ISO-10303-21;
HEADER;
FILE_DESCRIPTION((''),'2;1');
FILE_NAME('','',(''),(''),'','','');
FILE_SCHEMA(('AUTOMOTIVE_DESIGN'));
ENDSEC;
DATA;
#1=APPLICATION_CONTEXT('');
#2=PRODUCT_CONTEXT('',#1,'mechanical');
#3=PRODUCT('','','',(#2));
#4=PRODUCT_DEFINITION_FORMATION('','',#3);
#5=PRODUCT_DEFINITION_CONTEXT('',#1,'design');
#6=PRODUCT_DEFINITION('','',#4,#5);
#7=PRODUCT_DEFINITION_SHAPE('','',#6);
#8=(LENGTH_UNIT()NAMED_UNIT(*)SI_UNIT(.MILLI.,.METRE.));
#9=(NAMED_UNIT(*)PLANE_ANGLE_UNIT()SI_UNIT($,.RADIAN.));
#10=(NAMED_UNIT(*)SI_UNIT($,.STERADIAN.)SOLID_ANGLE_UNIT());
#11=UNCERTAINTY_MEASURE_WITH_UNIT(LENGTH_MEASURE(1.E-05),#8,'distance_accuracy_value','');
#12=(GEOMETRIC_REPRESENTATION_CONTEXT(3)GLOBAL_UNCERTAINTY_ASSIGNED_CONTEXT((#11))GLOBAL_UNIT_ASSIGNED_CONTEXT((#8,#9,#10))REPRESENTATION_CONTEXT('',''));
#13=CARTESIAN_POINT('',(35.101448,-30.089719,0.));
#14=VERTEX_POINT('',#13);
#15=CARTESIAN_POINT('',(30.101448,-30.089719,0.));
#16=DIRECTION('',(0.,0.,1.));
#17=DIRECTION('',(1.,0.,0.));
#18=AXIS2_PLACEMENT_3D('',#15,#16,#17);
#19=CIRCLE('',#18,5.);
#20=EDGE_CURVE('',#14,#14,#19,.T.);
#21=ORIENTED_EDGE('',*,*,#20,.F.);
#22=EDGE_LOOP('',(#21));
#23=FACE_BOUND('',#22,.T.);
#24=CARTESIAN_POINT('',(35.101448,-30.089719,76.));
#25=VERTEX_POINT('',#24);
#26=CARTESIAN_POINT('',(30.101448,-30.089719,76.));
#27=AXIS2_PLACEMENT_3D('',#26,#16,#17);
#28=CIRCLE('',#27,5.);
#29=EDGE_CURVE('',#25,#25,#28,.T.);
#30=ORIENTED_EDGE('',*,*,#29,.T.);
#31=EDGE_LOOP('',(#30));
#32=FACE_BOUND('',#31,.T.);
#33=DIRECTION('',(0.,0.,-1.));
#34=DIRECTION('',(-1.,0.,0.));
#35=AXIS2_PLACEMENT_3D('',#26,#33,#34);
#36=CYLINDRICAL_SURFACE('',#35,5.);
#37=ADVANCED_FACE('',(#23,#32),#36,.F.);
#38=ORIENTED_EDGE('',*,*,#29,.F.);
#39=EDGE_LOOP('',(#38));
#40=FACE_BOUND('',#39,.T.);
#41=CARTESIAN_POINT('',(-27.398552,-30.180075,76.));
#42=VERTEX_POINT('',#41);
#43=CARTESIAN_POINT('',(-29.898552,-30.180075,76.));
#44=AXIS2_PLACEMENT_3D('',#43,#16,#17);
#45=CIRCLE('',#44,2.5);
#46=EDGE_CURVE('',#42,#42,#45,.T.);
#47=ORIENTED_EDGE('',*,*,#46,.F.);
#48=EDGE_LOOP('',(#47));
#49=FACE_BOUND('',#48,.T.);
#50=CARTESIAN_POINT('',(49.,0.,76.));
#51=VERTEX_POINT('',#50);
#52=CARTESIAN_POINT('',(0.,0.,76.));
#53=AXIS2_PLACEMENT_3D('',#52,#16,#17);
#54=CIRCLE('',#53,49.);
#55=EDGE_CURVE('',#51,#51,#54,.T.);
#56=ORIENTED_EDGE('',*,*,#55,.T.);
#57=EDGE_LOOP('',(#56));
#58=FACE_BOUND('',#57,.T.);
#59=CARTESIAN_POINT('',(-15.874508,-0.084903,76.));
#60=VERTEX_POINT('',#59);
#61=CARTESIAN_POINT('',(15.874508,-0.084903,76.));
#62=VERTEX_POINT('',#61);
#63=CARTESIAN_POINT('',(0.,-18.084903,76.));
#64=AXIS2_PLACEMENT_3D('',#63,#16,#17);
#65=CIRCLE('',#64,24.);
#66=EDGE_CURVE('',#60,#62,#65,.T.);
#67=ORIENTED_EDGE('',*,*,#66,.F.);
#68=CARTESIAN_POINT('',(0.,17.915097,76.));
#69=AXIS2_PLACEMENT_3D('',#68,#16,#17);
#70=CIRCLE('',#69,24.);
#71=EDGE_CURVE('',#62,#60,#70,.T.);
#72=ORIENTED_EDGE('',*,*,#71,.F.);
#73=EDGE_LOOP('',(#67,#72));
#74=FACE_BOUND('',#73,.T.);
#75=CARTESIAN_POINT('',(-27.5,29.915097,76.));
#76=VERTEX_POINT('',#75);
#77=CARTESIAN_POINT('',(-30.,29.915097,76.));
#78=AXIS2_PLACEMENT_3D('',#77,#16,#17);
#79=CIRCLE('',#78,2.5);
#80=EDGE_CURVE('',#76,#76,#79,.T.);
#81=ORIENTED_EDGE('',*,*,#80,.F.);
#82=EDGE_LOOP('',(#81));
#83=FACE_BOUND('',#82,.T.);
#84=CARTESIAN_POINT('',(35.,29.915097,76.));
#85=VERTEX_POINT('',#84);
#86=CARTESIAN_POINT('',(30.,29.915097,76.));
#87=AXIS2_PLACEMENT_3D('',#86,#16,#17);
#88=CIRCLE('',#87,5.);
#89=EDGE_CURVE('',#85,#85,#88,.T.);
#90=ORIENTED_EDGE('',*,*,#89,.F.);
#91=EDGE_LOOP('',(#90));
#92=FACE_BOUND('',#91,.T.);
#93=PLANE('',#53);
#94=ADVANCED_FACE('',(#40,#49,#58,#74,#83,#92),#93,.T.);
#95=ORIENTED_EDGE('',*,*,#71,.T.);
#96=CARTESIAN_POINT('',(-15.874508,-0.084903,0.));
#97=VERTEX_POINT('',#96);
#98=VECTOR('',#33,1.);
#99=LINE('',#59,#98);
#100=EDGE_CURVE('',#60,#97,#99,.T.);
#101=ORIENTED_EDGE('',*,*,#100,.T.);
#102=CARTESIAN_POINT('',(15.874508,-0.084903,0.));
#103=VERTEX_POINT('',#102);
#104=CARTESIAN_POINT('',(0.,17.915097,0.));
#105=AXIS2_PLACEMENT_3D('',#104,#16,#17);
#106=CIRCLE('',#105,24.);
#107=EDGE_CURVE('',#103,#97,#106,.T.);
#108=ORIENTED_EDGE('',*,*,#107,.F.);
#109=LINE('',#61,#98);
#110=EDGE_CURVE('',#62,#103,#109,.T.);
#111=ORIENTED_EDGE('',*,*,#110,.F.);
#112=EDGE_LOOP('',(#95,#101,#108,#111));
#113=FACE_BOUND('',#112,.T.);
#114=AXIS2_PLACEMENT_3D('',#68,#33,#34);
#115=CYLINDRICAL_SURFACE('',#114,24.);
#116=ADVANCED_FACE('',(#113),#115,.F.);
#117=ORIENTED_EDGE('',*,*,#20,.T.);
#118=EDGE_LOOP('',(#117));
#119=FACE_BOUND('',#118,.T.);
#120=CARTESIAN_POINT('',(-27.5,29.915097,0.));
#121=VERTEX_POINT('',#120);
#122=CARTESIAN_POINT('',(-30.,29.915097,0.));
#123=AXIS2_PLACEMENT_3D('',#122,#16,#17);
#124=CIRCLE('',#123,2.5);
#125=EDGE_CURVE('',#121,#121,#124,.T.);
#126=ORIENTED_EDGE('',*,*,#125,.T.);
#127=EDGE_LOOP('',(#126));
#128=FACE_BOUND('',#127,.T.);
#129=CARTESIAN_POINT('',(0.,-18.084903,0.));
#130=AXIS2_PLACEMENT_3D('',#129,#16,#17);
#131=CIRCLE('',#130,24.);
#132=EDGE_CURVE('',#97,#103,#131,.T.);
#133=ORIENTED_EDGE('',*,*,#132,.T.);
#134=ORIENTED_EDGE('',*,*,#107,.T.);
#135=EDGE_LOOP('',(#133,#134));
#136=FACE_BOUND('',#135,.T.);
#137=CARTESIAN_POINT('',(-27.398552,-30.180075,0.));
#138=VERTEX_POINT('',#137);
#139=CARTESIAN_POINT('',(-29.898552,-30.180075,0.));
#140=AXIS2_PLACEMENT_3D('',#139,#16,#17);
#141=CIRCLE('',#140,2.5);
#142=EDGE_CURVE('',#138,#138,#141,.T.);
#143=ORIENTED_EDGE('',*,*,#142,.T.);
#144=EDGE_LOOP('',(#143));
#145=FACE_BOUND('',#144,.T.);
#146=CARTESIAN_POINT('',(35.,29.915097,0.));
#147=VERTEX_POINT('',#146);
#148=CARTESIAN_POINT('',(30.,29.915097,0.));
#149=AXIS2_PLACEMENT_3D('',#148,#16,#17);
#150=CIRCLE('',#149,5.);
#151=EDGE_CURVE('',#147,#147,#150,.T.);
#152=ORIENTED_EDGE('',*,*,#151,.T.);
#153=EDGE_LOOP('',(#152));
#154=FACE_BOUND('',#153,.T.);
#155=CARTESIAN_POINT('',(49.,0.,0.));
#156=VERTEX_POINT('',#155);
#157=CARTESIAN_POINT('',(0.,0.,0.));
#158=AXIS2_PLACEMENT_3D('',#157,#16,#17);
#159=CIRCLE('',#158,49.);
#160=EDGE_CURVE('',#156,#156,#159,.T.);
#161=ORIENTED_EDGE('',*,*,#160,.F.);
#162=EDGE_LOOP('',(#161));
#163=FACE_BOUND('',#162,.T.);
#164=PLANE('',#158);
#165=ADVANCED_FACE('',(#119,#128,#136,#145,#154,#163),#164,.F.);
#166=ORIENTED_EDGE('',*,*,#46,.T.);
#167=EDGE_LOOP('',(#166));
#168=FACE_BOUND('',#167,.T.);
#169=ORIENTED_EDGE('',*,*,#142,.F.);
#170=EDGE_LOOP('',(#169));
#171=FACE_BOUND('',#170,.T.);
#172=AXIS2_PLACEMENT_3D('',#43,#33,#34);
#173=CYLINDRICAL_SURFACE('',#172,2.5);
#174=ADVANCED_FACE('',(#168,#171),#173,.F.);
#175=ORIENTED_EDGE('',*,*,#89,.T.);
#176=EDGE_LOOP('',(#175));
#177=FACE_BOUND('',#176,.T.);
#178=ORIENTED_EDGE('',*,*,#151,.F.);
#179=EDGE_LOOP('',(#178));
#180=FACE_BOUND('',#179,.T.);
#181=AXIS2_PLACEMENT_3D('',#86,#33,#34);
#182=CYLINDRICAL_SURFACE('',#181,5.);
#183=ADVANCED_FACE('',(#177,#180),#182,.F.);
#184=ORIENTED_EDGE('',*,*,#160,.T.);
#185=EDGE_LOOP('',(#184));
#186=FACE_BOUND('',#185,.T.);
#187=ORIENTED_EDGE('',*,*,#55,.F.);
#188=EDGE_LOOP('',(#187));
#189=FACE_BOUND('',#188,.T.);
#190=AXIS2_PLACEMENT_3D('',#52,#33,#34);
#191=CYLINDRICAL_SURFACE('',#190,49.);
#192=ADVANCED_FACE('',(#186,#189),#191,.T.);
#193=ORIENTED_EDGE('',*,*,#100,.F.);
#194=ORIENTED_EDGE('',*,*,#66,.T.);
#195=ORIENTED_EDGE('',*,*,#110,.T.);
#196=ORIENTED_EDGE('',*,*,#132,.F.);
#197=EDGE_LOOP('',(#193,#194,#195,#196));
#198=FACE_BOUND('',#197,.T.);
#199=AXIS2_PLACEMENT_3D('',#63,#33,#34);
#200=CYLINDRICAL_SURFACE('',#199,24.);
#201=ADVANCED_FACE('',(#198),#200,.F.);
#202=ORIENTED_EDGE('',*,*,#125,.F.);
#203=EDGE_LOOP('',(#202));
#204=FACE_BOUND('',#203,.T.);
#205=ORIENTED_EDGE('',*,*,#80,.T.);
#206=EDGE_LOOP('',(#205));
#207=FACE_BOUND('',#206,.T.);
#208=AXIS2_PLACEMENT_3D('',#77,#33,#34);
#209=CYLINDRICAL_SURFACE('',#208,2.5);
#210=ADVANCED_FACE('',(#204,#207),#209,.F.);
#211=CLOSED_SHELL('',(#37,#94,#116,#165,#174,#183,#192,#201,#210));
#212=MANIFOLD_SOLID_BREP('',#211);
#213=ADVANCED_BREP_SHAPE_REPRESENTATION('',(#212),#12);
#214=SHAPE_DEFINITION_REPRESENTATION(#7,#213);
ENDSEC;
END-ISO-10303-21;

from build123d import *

# Parameters (mm, degrees)
SKETCH1_R           = 49
SKETCH1_R_2         = 2.5
SKETCH1_R_3         = 5
BOSS_EXTRUDE1_DEPTH = 76


with BuildPart() as part:
    # Sketch1 → Boss-Extrude1 (new body)
    with BuildSketch(Plane.XY):
        Circle(SKETCH1_R)
        with Locations((-30, 29.915097225)):
            Circle(SKETCH1_R_2, mode=Mode.SUBTRACT)
        with Locations((30, 29.915097225)):
            Circle(SKETCH1_R_3, mode=Mode.SUBTRACT)
        with Locations((-29.89855214, -30.18007542)):
            Circle(SKETCH1_R_2, mode=Mode.SUBTRACT)
        with Locations((30.10144786, -30.08971898)):
            Circle(SKETCH1_R_3, mode=Mode.SUBTRACT)
        with BuildLine():
            ThreePointArc((-15.874507866, -0.084902775), (0, -42.084902775), (15.874507866, -0.084902775))
            ThreePointArc((15.874507866, -0.084902775), (0, 41.915097225), (-15.874507866, -0.084902775))
        make_face(mode=Mode.SUBTRACT)
    extrude(amount=BOSS_EXTRUDE1_DEPTH)


solid = part.part
